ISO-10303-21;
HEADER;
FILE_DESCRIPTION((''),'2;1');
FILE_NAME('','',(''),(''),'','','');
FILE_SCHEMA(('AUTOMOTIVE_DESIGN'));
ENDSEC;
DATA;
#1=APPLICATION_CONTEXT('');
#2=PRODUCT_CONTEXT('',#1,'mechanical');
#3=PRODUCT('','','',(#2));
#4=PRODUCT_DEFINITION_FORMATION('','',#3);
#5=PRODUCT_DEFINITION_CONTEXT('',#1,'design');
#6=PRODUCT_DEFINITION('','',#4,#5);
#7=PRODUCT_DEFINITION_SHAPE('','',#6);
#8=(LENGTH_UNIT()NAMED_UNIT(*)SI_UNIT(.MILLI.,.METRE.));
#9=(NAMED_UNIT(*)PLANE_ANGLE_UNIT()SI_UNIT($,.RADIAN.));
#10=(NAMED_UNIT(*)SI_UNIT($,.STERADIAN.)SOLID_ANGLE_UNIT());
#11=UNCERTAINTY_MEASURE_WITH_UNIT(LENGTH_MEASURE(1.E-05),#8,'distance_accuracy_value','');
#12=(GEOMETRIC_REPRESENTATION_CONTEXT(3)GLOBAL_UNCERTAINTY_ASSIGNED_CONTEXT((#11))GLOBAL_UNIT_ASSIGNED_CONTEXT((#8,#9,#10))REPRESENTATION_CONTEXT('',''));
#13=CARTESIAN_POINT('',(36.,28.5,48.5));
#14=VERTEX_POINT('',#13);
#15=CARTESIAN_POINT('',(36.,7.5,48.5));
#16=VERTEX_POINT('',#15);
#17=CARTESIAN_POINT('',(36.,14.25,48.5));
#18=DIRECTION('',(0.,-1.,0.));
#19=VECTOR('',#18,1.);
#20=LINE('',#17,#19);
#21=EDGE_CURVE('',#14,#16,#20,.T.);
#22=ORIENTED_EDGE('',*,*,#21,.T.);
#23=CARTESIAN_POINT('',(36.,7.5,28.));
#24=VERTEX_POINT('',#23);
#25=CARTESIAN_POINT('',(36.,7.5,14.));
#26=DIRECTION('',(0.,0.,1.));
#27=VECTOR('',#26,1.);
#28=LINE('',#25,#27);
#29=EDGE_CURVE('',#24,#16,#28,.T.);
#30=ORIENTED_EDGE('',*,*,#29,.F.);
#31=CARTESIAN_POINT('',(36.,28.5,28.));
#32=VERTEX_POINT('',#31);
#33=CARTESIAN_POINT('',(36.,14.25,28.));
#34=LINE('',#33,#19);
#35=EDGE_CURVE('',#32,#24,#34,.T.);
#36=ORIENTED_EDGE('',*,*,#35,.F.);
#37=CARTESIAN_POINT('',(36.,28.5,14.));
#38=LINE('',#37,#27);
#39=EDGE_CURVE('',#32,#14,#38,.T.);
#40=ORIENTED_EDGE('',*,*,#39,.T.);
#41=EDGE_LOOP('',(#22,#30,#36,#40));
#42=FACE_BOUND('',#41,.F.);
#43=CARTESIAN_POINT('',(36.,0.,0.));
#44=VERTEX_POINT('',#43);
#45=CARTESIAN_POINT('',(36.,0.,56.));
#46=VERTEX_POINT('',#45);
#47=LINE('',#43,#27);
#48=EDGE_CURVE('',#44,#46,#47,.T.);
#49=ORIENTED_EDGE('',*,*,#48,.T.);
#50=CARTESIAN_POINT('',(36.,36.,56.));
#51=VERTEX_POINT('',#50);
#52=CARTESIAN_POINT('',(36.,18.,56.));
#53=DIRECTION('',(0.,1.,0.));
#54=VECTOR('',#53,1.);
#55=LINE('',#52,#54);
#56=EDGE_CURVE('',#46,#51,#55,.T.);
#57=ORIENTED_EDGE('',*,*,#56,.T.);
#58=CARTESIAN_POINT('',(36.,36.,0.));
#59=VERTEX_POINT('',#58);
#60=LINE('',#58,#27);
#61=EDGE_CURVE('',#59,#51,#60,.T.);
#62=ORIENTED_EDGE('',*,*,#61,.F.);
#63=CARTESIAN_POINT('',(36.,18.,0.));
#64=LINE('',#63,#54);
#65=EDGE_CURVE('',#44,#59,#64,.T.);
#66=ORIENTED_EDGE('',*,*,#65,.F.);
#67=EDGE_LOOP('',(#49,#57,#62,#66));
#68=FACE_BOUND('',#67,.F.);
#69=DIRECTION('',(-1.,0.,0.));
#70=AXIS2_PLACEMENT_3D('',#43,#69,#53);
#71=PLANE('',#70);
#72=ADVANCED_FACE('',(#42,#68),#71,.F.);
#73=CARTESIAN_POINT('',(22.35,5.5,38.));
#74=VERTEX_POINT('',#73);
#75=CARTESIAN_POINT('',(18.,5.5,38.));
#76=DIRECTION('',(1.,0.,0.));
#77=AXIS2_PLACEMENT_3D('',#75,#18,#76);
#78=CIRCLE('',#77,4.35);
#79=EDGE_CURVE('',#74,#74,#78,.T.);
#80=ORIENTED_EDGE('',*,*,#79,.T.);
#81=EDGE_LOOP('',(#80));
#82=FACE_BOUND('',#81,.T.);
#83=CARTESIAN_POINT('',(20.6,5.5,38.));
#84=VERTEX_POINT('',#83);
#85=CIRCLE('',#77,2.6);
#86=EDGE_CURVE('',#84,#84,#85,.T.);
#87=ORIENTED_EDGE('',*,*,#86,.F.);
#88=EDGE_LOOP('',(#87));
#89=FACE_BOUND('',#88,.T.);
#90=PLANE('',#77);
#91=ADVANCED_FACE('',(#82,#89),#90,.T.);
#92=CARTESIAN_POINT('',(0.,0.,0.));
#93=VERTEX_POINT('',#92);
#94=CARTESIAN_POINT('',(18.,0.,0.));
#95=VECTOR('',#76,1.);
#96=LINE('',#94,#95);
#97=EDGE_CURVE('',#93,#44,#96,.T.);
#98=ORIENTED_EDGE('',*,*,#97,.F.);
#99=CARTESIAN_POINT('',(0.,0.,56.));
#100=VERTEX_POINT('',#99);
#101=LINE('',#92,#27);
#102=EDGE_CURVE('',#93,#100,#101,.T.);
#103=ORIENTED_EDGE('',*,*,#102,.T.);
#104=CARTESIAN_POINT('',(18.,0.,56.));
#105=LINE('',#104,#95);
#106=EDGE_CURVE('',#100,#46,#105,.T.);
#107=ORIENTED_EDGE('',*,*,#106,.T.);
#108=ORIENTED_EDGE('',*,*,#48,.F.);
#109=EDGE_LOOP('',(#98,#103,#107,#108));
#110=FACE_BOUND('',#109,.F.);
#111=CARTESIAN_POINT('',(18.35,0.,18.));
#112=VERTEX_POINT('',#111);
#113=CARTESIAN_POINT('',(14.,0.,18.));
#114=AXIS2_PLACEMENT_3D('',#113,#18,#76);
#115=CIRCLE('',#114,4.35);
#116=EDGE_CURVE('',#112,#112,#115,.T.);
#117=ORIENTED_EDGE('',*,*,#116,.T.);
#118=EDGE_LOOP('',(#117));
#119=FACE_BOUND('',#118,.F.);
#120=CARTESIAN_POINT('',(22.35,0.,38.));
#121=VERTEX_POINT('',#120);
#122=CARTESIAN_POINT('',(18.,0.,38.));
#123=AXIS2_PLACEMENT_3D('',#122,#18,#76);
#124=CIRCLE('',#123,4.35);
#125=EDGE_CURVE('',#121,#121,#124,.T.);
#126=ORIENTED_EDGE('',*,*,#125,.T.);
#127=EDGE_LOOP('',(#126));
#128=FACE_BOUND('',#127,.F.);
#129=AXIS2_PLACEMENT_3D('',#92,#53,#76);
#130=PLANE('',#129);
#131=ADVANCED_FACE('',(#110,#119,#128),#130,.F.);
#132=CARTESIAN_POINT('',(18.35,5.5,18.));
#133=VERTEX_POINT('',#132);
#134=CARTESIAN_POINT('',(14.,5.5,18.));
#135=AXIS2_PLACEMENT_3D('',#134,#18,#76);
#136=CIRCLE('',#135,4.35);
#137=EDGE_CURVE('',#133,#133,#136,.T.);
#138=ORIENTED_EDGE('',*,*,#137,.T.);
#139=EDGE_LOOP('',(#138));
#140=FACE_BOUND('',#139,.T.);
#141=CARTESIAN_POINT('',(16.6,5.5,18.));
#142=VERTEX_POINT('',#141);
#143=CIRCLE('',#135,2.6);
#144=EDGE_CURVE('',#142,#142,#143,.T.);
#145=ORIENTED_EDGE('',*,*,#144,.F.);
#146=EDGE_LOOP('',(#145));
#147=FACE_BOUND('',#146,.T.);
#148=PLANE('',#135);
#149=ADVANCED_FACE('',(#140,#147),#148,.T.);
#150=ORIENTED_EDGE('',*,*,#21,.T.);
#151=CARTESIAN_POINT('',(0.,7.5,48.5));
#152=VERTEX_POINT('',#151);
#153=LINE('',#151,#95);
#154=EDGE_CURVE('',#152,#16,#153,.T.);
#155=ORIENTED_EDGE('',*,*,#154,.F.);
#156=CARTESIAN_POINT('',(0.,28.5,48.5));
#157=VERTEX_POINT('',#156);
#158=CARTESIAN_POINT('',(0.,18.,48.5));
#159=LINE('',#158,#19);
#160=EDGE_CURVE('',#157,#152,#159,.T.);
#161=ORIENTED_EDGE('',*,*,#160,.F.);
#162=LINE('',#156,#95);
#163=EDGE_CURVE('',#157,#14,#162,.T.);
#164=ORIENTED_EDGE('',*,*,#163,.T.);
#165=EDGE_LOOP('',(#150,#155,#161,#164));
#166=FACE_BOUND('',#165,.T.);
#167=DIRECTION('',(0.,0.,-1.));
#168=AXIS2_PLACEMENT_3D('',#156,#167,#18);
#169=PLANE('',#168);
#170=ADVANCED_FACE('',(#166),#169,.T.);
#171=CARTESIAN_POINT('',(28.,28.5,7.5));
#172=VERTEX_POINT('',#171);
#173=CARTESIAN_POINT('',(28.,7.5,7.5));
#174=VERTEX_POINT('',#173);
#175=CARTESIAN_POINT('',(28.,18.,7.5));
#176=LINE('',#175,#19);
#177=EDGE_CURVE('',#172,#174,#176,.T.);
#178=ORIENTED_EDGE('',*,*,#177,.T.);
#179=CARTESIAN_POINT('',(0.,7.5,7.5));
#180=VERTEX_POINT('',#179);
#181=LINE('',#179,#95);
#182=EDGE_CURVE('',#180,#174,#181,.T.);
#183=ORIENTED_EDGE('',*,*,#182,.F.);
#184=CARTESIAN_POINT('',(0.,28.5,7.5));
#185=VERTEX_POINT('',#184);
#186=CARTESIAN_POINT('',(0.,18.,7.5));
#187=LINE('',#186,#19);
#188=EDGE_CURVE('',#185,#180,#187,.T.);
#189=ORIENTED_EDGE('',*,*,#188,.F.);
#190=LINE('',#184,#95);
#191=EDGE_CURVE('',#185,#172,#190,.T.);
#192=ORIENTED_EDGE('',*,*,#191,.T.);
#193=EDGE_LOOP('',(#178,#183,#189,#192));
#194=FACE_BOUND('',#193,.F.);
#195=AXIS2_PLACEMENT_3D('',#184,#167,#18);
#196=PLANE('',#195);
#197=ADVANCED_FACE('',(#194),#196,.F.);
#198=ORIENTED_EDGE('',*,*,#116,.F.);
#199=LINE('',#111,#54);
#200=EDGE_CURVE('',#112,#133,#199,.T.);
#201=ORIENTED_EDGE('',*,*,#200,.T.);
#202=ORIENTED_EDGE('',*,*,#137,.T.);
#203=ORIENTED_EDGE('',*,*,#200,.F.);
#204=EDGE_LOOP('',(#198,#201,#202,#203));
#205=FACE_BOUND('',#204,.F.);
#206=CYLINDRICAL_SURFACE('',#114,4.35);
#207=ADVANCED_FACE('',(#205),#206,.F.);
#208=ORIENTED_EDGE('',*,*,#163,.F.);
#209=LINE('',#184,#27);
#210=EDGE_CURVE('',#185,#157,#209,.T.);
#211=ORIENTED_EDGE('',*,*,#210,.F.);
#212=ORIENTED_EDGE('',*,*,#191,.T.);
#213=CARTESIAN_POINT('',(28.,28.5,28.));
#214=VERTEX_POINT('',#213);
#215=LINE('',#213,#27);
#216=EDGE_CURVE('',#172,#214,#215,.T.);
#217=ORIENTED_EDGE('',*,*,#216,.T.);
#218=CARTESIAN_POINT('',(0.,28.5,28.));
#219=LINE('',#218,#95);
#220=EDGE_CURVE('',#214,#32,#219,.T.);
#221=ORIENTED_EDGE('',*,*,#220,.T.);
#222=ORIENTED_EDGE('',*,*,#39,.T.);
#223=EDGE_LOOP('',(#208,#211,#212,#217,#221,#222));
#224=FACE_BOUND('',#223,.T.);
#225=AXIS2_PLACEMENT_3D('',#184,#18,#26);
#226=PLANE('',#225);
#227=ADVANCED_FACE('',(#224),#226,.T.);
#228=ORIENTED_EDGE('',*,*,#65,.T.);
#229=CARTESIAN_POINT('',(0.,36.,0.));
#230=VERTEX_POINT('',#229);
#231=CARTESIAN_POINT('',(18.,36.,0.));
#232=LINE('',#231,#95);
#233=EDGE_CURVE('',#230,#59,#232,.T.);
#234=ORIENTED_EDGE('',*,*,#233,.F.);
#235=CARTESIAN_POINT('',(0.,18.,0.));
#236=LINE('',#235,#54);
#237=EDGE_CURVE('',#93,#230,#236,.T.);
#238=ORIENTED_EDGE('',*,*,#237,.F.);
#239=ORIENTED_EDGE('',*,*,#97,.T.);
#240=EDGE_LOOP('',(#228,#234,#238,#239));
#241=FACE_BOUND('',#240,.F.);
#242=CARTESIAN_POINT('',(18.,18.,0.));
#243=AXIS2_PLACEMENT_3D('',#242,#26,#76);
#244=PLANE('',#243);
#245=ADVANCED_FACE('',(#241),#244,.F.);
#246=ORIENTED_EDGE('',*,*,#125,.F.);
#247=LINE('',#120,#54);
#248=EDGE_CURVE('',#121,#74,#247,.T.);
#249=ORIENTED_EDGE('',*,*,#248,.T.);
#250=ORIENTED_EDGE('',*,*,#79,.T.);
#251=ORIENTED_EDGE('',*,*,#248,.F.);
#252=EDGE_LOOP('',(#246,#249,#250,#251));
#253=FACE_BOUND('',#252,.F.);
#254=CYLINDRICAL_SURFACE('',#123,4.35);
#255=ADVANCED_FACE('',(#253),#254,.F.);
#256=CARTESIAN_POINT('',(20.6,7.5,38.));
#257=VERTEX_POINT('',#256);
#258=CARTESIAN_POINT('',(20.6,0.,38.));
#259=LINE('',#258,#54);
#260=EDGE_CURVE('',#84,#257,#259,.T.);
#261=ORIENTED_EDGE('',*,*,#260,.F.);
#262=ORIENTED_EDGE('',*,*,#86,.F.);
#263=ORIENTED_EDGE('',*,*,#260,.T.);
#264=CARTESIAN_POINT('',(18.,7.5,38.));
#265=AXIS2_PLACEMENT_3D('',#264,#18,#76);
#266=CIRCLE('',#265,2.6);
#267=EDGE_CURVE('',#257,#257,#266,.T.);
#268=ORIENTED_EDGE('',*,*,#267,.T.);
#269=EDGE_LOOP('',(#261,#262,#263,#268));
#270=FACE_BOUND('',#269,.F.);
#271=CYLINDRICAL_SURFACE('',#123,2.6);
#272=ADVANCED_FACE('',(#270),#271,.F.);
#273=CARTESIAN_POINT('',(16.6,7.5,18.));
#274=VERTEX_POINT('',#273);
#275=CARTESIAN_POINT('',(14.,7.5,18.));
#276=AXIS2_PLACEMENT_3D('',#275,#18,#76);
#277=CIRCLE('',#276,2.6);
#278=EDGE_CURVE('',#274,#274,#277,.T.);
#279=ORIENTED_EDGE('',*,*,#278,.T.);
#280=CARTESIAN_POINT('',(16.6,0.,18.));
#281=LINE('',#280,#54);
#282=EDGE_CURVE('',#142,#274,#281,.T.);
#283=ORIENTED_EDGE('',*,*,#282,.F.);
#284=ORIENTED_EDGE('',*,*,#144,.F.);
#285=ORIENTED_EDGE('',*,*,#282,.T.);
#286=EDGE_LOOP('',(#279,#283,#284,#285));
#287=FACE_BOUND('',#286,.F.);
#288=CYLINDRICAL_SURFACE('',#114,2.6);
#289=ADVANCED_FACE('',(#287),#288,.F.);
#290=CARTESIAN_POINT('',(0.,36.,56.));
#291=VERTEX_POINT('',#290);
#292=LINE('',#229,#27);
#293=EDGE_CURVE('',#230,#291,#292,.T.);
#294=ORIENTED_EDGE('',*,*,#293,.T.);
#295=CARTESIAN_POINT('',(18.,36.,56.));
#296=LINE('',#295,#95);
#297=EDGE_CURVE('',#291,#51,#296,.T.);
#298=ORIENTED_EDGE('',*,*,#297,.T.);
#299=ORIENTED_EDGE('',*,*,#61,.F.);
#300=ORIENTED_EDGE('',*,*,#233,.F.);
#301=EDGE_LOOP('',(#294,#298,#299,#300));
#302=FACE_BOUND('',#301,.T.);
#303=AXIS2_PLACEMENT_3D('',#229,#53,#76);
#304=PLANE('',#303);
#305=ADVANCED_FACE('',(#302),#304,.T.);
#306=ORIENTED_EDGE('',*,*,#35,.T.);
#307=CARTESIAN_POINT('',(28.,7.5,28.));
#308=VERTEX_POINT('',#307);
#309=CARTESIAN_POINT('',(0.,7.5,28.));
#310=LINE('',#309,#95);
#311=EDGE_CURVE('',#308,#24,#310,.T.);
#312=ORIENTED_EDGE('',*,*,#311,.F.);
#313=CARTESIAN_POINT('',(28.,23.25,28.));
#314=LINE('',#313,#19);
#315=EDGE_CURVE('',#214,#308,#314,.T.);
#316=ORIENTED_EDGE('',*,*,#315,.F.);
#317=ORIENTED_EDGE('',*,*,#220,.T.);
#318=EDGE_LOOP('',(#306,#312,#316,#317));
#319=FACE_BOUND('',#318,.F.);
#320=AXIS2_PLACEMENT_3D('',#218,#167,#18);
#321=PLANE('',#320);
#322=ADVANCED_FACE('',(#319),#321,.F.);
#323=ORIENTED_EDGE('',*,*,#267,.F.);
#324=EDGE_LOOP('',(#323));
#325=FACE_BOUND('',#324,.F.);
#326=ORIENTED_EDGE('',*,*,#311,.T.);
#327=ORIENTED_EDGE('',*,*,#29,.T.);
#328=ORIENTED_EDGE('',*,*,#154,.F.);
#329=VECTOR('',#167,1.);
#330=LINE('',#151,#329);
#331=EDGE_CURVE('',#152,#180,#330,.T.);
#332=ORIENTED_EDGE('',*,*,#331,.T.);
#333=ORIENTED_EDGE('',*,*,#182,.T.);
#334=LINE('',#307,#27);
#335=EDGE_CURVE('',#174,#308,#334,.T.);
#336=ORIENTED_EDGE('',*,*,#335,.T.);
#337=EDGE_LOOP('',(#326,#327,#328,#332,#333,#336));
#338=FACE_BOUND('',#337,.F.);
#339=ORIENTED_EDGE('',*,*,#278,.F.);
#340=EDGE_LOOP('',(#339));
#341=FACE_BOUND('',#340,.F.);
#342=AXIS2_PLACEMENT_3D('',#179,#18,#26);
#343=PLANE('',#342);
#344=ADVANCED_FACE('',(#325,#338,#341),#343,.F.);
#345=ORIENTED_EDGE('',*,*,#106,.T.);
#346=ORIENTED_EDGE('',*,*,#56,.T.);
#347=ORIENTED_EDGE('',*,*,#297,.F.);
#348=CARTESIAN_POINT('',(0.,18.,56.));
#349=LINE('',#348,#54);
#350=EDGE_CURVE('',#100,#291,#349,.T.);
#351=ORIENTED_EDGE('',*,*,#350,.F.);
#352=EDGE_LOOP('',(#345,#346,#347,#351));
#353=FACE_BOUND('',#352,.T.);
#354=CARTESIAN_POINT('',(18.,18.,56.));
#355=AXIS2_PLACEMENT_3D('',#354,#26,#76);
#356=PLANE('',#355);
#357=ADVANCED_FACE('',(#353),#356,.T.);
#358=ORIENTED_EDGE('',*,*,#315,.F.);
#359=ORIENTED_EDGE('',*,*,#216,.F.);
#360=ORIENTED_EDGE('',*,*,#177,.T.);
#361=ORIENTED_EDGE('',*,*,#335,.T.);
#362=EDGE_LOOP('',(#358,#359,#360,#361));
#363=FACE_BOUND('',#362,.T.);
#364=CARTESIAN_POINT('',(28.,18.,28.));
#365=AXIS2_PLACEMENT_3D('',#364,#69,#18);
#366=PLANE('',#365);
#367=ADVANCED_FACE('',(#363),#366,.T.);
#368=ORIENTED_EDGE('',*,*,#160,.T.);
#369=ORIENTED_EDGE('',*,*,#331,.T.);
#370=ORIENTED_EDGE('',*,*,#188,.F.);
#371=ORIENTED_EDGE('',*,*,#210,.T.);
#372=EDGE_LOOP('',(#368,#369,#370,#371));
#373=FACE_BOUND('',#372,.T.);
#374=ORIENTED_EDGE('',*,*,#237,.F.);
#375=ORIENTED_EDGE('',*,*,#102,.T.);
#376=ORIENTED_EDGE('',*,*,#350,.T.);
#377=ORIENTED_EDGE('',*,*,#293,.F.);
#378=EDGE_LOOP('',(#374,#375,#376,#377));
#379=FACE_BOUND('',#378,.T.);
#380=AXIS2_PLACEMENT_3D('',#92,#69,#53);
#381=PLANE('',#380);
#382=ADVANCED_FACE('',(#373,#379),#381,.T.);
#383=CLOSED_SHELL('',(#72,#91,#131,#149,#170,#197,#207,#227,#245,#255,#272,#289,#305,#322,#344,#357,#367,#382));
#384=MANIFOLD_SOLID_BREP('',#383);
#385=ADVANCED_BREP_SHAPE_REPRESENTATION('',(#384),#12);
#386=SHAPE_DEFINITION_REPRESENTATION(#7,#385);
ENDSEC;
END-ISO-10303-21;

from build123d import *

# Parameters (mm, degrees)
F0_W     = 36
F0_H     = 36
F1_DEPTH = 56
F2_W     = 21
F2_H     = 41
F3_DEPTH = 28
F4_W     = 21
F4_H     = 20.5
F5_DEPTH = 70
F6_R     = 2.6
F7_DEPTH = 20
F8_R     = 4.35
F9_DEPTH = 5.5


with BuildPart() as f1:
    # F0 (on Top) → F1 (new body)
    with BuildSketch(Plane.XY):
        with Locations((18, 18)):
            Rectangle(F0_W, F0_H)
    extrude(amount=F1_DEPTH)

    # F2 (on face) → F3 (cut)
    with BuildSketch(Plane(origin=(0, 0, 0), x_dir=(0, -1, 0), z_dir=(-1, 0, 0))):
        with Locations((-18, 28)):
            Rectangle(F2_W, F2_H)
    extrude(amount=-F3_DEPTH, mode=Mode.SUBTRACT)

    # F4 (on face) → F5 (cut)
    with BuildSketch(Plane(origin=(0, 0, 0), x_dir=(0, -1, 0), z_dir=(-1, 0, 0))):
        with Locations((-18, 38.25)):
            Rectangle(F4_W, F4_H)
    extrude(amount=-F5_DEPTH, mode=Mode.SUBTRACT)

    # F6 (on face) → F7 (cut)
    with BuildSketch(Plane.XZ):
        with Locations((18, 38)):
            Circle(F6_R)
        with Locations((14, 18)):
            Circle(F6_R)
    extrude(amount=-F7_DEPTH, mode=Mode.SUBTRACT)

    # F8 (on face) → F9 (cut)
    with BuildSketch(Plane.XZ):
        with Locations((18, 38)):
            Circle(F8_R)
        with Locations((14, 18)):
            Circle(F8_R)
    extrude(amount=-F9_DEPTH, mode=Mode.SUBTRACT)


solid = f1.part
